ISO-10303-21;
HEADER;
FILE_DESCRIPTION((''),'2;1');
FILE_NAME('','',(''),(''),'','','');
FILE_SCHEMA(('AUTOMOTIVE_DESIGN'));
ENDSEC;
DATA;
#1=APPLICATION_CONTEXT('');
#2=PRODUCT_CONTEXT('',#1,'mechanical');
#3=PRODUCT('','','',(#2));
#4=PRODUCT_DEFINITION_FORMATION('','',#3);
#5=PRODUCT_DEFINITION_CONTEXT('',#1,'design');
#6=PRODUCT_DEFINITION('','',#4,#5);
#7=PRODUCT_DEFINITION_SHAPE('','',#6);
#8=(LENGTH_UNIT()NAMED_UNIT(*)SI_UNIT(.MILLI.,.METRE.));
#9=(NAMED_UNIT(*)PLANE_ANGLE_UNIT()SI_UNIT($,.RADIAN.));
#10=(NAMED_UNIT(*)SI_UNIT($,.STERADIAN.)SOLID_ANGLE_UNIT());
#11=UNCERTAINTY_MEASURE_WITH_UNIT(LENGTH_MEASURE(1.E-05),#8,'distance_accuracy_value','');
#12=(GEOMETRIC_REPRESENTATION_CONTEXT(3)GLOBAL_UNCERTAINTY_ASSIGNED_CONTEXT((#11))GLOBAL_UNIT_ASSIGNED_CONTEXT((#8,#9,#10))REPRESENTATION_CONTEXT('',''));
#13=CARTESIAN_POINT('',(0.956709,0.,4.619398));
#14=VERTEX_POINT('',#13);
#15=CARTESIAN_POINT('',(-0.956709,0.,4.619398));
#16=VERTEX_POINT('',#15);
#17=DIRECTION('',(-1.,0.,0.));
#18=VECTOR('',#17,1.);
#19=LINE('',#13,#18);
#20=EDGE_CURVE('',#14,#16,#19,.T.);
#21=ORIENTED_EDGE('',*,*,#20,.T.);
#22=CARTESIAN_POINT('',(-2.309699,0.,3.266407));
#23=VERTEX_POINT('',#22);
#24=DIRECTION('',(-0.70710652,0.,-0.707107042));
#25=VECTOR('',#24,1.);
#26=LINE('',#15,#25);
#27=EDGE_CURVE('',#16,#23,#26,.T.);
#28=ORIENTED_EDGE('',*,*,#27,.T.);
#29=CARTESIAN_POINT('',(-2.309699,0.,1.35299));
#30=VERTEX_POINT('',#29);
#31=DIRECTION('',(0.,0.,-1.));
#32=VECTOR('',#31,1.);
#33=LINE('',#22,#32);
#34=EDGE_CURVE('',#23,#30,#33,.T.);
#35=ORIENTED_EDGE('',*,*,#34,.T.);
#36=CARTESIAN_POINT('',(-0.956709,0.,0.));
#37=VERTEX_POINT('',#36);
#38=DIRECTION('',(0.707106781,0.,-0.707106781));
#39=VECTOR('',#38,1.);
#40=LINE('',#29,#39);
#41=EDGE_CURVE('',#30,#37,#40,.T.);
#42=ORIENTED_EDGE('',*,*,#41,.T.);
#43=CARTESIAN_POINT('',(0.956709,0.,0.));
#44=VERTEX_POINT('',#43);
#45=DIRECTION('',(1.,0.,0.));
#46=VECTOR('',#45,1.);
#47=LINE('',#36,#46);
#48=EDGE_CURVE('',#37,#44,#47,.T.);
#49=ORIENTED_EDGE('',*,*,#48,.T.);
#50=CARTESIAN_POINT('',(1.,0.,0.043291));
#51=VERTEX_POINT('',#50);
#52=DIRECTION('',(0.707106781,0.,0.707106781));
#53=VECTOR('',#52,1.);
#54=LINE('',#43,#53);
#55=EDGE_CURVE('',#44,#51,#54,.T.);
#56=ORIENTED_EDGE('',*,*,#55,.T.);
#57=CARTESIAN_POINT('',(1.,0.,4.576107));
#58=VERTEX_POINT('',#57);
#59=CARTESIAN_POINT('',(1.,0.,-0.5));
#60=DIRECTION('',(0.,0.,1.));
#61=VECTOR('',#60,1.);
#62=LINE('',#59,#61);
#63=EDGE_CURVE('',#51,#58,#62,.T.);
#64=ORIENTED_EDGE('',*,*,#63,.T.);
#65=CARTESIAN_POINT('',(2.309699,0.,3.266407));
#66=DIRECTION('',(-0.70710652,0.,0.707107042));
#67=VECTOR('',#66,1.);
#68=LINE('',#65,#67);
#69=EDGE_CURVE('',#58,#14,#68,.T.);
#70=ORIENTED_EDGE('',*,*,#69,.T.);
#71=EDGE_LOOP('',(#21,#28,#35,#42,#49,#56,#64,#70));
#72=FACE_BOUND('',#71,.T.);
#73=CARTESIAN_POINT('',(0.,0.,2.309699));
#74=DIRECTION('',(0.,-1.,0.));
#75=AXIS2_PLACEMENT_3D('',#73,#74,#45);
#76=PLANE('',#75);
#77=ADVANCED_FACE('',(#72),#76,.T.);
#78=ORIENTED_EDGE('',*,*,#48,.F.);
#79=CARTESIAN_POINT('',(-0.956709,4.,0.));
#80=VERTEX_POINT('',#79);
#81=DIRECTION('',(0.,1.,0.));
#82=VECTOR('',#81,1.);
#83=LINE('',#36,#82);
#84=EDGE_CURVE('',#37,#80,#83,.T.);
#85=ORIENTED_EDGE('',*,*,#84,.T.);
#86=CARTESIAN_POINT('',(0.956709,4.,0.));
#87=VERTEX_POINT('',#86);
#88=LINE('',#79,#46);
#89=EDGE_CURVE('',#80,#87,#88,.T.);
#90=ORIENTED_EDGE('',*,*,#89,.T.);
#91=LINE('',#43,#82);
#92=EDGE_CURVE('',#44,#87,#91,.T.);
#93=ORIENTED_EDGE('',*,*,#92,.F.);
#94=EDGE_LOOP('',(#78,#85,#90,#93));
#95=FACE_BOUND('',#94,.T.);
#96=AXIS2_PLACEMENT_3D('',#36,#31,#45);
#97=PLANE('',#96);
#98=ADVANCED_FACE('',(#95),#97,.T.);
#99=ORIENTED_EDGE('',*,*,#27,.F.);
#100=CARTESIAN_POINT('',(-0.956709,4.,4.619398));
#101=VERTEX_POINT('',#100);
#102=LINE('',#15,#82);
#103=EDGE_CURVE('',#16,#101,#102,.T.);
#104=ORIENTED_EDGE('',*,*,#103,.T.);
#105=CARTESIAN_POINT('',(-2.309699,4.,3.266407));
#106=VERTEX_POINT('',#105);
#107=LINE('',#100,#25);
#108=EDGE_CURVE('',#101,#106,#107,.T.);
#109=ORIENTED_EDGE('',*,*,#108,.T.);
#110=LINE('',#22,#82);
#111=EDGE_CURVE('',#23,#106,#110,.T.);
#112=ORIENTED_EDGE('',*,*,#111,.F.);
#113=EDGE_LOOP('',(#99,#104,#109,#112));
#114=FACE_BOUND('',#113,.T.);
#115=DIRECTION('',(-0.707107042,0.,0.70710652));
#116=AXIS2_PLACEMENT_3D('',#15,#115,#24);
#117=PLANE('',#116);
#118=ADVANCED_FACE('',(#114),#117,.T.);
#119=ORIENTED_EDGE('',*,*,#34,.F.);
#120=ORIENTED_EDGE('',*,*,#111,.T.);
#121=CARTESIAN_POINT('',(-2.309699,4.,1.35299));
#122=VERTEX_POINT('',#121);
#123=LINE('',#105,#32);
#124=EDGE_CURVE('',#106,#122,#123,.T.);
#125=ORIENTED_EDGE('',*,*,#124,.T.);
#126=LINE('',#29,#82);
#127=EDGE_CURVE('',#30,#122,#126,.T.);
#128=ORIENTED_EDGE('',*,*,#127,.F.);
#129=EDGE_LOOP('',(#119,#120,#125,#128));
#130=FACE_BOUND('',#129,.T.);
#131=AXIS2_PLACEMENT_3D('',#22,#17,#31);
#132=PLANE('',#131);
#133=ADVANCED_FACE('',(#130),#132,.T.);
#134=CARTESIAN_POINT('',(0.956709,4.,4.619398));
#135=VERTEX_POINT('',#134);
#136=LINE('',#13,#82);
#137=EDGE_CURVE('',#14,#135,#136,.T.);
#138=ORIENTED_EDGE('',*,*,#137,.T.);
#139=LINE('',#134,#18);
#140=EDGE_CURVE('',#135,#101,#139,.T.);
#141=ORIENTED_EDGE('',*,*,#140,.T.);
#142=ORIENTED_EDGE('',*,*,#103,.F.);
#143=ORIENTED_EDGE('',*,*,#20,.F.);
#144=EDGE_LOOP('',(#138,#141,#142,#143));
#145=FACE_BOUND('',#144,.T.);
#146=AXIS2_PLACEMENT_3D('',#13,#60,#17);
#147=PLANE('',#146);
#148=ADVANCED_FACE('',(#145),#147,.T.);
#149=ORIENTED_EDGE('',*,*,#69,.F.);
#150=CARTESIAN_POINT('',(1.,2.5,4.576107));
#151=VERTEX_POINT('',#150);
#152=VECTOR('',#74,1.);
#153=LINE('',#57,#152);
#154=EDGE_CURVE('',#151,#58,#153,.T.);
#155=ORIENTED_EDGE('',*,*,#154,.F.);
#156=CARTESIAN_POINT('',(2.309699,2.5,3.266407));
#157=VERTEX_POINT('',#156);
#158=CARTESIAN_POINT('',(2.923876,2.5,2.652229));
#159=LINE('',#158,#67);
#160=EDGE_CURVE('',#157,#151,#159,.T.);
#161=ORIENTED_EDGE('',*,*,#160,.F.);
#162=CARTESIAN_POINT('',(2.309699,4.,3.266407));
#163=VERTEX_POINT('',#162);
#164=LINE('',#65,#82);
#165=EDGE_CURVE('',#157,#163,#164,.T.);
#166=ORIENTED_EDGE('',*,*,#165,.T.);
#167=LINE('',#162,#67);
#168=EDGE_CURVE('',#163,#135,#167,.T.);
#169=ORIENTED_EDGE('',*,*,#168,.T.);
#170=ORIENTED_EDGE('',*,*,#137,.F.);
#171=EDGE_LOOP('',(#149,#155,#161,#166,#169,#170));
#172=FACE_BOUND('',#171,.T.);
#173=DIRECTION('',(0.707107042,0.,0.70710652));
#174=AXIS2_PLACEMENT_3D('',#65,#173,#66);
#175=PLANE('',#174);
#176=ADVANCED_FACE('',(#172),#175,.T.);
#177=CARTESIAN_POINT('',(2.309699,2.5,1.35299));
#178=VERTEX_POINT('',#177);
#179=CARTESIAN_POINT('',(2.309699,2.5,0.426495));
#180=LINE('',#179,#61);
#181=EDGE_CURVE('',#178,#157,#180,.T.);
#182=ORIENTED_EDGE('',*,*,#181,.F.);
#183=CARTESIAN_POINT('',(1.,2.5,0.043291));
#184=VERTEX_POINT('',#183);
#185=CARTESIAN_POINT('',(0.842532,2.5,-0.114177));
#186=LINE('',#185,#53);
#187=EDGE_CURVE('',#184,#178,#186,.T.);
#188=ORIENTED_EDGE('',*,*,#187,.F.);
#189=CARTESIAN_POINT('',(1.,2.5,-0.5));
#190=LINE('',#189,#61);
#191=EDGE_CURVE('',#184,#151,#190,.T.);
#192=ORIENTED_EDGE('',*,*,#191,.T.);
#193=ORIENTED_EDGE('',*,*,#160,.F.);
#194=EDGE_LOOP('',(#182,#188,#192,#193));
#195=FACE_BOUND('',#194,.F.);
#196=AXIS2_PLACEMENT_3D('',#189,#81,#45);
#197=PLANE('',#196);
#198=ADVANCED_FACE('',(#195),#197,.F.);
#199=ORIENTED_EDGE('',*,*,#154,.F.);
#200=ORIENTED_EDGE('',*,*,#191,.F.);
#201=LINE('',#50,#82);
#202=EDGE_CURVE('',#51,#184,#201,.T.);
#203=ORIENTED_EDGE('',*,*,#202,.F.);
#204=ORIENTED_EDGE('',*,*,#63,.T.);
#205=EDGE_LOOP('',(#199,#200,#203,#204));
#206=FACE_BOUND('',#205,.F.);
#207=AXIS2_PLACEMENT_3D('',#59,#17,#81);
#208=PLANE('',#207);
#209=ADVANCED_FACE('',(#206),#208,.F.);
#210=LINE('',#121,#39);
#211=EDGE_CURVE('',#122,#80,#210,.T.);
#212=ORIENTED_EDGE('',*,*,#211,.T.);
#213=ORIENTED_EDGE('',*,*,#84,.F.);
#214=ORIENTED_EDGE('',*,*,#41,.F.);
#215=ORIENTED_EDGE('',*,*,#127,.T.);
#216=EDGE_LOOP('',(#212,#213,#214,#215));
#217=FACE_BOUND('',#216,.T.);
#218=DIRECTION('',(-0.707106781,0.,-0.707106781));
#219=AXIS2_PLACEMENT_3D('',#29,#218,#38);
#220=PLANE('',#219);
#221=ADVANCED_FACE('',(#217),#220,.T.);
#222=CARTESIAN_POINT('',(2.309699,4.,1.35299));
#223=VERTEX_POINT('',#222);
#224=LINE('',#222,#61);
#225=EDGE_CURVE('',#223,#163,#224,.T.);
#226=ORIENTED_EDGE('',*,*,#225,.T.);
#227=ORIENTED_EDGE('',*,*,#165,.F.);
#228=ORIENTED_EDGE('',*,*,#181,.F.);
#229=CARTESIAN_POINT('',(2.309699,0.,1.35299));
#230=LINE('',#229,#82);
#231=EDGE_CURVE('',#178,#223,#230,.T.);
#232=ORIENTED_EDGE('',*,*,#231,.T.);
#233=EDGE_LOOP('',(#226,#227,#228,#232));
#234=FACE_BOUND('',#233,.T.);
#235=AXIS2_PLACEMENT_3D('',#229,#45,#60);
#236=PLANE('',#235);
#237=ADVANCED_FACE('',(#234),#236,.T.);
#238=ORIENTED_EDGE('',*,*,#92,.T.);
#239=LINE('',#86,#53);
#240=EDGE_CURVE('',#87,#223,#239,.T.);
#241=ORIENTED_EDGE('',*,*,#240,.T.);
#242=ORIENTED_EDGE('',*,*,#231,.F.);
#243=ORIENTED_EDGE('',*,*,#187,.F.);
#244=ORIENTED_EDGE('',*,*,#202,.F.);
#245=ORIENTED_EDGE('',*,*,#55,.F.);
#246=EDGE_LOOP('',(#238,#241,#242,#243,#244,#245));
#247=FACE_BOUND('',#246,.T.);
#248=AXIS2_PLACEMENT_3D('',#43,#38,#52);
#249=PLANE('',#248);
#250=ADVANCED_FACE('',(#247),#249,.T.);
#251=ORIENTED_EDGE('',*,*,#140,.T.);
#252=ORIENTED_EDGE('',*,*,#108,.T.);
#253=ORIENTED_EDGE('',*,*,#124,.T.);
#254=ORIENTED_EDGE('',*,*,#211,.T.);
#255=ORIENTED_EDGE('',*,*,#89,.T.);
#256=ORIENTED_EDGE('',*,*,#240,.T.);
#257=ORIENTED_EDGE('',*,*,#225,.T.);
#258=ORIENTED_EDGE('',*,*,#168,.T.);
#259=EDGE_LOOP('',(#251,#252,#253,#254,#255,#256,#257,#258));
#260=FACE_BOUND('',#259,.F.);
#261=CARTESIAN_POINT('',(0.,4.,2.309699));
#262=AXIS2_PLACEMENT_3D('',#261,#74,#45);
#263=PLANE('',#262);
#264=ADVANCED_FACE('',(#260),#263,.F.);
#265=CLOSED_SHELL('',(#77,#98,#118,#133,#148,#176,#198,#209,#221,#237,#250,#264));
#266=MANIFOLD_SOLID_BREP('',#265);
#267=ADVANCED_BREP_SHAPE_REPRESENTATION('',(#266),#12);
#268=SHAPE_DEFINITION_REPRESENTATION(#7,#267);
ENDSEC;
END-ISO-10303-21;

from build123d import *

# Parameters (mm, degrees)
BOX008_W         = 2
BOX008_H         = 2.5
BOX008_DEPTH     = 6
EXTRUDE004_DEPTH = 4


with BuildPart() as box008:
    # Box008 → Box008 (new body)
    with BuildSketch(Plane(origin=(1, 0, -0.5), x_dir=(1, 0, 0), z_dir=(0, 0, 1))):
        with Locations((1, 1.25)):
            Rectangle(BOX008_W, BOX008_H)
    extrude(amount=BOX008_DEPTH)


with BuildPart() as octpin_wnotch:
    # Sketch002 → Extrude004 (new body)
    with BuildSketch(Plane.XZ):
        Polygon((2.309699, 1.35299), (2.309699, 3.266407), (0.956709, 4.619398), (-0.956709, 4.619398), (-2.309699, 3.266407), (-2.309699, 1.35299), (-0.956709, 0), (0.956709, 0), align=None)
    extrude(amount=-EXTRUDE004_DEPTH)

    # Cut: cut Box008
    add(box008.part, mode=Mode.SUBTRACT)


solid = octpin_wnotch.part
